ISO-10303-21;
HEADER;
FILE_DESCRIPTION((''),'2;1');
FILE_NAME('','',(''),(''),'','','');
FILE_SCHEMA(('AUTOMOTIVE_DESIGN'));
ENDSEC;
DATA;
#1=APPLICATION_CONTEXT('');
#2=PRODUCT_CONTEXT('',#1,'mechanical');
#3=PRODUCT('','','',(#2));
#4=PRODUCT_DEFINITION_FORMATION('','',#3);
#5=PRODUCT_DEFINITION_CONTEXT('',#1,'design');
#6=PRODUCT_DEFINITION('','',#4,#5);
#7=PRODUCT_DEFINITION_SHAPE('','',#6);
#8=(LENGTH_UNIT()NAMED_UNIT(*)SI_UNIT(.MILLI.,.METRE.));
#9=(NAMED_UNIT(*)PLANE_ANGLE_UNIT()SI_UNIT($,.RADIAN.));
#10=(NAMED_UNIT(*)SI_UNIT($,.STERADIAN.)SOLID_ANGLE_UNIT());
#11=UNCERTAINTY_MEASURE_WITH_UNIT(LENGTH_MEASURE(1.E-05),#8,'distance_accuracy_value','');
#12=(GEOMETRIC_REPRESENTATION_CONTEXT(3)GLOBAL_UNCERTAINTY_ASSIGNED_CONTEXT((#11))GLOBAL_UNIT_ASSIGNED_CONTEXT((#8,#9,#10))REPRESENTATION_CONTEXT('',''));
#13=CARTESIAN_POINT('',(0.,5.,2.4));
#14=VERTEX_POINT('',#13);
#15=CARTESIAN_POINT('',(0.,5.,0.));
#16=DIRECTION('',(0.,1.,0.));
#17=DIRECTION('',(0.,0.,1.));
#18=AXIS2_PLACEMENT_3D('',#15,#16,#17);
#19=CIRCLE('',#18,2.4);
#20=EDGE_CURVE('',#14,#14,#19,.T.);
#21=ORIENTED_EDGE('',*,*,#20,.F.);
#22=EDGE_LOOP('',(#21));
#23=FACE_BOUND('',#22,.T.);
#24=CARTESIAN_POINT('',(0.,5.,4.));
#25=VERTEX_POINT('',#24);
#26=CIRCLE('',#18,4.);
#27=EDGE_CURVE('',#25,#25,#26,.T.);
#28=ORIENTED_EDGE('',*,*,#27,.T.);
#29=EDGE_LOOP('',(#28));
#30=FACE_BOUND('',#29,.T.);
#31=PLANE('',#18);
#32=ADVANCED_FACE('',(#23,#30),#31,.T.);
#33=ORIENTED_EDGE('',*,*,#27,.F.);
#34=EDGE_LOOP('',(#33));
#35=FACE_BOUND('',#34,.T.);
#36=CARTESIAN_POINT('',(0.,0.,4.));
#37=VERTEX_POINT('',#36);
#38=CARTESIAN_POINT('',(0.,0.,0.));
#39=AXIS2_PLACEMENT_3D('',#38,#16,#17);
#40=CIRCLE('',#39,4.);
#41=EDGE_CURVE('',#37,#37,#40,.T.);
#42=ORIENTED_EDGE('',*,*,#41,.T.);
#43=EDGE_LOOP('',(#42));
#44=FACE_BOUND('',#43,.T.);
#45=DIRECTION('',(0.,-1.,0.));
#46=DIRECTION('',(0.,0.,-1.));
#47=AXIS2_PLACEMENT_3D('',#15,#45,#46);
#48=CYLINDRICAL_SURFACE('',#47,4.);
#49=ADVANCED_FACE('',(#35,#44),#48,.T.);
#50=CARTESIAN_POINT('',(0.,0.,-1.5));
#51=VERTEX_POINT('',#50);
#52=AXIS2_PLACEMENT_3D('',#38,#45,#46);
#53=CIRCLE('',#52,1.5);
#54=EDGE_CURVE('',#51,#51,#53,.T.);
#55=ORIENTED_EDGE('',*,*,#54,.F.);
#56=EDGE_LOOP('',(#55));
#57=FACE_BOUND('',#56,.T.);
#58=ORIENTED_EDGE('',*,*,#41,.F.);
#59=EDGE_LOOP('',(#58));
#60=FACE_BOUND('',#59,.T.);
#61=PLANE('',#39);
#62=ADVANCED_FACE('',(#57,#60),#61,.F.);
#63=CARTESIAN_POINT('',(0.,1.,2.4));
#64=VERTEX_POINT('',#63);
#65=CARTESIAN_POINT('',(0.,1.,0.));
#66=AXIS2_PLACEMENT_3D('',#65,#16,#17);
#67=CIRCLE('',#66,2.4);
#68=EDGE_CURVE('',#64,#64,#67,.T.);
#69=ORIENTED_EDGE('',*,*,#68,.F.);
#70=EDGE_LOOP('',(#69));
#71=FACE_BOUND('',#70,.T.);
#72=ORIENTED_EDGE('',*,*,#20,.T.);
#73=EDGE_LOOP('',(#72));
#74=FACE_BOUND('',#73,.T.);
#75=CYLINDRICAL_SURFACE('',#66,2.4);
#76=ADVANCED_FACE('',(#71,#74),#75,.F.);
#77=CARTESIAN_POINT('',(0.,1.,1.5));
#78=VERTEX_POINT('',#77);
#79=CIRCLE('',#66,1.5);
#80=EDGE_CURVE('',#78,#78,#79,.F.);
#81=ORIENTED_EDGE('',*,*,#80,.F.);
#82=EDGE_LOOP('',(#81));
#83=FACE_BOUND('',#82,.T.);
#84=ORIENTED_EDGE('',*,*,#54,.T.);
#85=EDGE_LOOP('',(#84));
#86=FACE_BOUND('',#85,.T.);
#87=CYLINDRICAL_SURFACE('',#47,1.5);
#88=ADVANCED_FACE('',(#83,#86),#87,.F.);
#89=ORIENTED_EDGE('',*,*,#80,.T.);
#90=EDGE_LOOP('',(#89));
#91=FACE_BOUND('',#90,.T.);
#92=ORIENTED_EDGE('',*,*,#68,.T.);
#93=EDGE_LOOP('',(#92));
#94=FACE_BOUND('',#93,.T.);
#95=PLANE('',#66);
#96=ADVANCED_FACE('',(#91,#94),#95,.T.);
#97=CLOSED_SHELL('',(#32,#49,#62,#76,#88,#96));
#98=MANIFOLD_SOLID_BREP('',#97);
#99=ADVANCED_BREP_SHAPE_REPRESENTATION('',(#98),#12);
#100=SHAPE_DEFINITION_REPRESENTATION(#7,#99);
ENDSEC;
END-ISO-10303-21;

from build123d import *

# Parameters (mm, degrees)
ESQUISSE1_R             = 4
BOSS_EXTRU_1_DEPTH      = 5
ESQUISSE3_R             = 1.5
ENL_V_MAT_EXTRU_2_DEPTH = 8.549834435
ESQUISSE2_R             = 2.4
ENL_V_MAT_EXTRU_3_DEPTH = 4


with BuildPart() as part:
    # Esquisse1 → Boss.-Extru.1 (new body)
    with BuildSketch(Plane(origin=(0, 0, 0), x_dir=(1, 0, 0), z_dir=(0, 1, 0))):
        with Locations(Location((0, 0, 0), (0, 0, 270))):
            Circle(ESQUISSE1_R)
    extrude(amount=BOSS_EXTRU_1_DEPTH)

    # Esquisse3 → Enlèv. mat.-Extru.2 (cut, through all)
    with BuildSketch(Plane.XZ):
        with Locations(Location((0, 0, 0), (0, 0, 270))):
            Circle(ESQUISSE3_R)
    extrude(amount=-ENL_V_MAT_EXTRU_2_DEPTH, mode=Mode.SUBTRACT)

    # Esquisse2 → Enlèv. mat.-Extru.3 (cut)
    with BuildSketch(Plane(origin=(0, 5, 0), x_dir=(1, 0, 0), z_dir=(0, 1, 0))):
        with Locations(Location((0, 0, 0), (0, 0, 270))):
            Circle(ESQUISSE2_R)
    extrude(amount=-ENL_V_MAT_EXTRU_3_DEPTH, mode=Mode.SUBTRACT)


solid = part.part
